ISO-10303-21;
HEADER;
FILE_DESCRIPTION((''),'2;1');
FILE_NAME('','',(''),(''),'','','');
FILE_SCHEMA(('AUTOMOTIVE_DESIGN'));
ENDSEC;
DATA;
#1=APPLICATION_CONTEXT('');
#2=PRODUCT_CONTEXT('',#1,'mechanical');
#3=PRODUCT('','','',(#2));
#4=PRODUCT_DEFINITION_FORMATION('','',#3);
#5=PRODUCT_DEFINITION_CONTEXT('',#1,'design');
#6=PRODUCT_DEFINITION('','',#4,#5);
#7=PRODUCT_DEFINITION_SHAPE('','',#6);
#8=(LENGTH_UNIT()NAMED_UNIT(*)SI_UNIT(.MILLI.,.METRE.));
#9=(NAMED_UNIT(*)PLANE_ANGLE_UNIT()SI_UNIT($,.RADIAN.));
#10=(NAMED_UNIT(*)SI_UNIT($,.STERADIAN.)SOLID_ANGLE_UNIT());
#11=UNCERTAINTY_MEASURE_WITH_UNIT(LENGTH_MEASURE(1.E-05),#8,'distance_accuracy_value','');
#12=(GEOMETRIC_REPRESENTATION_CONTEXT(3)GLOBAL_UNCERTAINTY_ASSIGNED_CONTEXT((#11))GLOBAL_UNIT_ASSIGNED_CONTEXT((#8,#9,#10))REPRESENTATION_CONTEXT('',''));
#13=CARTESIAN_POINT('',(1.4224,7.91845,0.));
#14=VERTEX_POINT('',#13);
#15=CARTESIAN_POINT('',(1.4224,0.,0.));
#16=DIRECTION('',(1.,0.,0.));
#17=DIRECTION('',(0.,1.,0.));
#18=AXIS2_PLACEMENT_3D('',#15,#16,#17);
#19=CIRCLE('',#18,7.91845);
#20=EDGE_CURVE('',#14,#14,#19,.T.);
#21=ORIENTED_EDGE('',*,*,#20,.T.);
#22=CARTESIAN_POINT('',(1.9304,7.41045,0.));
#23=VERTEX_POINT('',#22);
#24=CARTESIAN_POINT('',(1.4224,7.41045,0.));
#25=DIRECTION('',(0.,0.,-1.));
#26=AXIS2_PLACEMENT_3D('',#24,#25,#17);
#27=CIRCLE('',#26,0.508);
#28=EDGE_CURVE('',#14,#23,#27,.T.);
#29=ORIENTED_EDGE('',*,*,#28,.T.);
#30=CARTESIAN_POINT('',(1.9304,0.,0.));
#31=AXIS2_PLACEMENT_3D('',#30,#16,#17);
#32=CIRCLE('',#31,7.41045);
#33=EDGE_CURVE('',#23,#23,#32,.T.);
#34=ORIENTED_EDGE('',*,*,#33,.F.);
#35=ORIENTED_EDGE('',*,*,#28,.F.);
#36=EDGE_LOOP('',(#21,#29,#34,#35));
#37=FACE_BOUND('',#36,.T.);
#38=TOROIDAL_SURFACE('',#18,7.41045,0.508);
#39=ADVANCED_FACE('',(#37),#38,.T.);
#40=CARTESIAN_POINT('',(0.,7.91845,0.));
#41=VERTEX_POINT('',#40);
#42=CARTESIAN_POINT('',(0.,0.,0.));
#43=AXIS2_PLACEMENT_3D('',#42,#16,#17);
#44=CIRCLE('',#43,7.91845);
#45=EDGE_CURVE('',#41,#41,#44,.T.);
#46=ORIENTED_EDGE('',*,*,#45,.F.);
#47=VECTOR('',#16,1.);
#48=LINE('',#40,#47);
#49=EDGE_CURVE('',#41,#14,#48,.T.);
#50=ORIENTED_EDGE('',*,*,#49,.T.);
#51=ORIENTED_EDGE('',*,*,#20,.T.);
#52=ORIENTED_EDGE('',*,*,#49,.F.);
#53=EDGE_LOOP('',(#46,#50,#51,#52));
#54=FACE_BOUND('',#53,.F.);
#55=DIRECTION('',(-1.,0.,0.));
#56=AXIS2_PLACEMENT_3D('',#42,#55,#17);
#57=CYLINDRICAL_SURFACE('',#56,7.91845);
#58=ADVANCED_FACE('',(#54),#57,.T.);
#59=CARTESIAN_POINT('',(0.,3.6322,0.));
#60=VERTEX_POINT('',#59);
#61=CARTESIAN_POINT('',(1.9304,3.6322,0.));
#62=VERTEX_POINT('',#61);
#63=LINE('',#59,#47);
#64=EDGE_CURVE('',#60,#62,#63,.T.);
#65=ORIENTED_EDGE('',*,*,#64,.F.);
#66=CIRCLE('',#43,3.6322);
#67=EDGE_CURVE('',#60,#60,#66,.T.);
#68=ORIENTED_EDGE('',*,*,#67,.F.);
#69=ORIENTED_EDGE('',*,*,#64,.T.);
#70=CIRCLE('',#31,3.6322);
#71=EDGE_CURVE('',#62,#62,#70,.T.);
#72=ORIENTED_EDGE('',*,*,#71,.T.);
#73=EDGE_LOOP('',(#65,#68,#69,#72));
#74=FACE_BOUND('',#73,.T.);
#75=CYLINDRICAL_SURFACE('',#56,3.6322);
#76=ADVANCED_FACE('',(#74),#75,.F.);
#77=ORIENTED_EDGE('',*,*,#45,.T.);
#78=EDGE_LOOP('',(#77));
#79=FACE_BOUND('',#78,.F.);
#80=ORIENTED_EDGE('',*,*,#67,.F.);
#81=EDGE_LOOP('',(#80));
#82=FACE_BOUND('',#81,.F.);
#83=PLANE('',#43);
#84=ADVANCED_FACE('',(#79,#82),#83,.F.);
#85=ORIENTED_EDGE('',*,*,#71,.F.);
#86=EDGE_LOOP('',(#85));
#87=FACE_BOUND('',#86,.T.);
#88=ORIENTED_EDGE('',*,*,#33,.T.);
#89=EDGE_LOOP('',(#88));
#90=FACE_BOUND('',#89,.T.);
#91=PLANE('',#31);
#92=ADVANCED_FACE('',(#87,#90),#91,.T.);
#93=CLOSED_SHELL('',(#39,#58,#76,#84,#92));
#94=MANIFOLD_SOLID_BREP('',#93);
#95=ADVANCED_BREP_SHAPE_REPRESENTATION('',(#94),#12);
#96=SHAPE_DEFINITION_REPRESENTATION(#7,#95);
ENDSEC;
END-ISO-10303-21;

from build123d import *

# Parameters (mm, degrees)
F0_R     = 7.91845
F0_R_2   = 3.6322
F1_DEPTH = 1.9304
F2_R     = 0.508


with BuildPart() as f1:
    # F0 (on Right) → F1 (new body)
    with BuildSketch(Plane.YZ):
        Circle(F0_R)
        Circle(F0_R_2, mode=Mode.SUBTRACT)
    extrude(amount=F1_DEPTH)

    # F2
    f2_edges = [f1.edges().sort_by_distance(p)[0] for p in [
        (1.9304, -7.91845, 0),
    ]]
    fillet(f2_edges, radius=F2_R)


solid = f1.part
